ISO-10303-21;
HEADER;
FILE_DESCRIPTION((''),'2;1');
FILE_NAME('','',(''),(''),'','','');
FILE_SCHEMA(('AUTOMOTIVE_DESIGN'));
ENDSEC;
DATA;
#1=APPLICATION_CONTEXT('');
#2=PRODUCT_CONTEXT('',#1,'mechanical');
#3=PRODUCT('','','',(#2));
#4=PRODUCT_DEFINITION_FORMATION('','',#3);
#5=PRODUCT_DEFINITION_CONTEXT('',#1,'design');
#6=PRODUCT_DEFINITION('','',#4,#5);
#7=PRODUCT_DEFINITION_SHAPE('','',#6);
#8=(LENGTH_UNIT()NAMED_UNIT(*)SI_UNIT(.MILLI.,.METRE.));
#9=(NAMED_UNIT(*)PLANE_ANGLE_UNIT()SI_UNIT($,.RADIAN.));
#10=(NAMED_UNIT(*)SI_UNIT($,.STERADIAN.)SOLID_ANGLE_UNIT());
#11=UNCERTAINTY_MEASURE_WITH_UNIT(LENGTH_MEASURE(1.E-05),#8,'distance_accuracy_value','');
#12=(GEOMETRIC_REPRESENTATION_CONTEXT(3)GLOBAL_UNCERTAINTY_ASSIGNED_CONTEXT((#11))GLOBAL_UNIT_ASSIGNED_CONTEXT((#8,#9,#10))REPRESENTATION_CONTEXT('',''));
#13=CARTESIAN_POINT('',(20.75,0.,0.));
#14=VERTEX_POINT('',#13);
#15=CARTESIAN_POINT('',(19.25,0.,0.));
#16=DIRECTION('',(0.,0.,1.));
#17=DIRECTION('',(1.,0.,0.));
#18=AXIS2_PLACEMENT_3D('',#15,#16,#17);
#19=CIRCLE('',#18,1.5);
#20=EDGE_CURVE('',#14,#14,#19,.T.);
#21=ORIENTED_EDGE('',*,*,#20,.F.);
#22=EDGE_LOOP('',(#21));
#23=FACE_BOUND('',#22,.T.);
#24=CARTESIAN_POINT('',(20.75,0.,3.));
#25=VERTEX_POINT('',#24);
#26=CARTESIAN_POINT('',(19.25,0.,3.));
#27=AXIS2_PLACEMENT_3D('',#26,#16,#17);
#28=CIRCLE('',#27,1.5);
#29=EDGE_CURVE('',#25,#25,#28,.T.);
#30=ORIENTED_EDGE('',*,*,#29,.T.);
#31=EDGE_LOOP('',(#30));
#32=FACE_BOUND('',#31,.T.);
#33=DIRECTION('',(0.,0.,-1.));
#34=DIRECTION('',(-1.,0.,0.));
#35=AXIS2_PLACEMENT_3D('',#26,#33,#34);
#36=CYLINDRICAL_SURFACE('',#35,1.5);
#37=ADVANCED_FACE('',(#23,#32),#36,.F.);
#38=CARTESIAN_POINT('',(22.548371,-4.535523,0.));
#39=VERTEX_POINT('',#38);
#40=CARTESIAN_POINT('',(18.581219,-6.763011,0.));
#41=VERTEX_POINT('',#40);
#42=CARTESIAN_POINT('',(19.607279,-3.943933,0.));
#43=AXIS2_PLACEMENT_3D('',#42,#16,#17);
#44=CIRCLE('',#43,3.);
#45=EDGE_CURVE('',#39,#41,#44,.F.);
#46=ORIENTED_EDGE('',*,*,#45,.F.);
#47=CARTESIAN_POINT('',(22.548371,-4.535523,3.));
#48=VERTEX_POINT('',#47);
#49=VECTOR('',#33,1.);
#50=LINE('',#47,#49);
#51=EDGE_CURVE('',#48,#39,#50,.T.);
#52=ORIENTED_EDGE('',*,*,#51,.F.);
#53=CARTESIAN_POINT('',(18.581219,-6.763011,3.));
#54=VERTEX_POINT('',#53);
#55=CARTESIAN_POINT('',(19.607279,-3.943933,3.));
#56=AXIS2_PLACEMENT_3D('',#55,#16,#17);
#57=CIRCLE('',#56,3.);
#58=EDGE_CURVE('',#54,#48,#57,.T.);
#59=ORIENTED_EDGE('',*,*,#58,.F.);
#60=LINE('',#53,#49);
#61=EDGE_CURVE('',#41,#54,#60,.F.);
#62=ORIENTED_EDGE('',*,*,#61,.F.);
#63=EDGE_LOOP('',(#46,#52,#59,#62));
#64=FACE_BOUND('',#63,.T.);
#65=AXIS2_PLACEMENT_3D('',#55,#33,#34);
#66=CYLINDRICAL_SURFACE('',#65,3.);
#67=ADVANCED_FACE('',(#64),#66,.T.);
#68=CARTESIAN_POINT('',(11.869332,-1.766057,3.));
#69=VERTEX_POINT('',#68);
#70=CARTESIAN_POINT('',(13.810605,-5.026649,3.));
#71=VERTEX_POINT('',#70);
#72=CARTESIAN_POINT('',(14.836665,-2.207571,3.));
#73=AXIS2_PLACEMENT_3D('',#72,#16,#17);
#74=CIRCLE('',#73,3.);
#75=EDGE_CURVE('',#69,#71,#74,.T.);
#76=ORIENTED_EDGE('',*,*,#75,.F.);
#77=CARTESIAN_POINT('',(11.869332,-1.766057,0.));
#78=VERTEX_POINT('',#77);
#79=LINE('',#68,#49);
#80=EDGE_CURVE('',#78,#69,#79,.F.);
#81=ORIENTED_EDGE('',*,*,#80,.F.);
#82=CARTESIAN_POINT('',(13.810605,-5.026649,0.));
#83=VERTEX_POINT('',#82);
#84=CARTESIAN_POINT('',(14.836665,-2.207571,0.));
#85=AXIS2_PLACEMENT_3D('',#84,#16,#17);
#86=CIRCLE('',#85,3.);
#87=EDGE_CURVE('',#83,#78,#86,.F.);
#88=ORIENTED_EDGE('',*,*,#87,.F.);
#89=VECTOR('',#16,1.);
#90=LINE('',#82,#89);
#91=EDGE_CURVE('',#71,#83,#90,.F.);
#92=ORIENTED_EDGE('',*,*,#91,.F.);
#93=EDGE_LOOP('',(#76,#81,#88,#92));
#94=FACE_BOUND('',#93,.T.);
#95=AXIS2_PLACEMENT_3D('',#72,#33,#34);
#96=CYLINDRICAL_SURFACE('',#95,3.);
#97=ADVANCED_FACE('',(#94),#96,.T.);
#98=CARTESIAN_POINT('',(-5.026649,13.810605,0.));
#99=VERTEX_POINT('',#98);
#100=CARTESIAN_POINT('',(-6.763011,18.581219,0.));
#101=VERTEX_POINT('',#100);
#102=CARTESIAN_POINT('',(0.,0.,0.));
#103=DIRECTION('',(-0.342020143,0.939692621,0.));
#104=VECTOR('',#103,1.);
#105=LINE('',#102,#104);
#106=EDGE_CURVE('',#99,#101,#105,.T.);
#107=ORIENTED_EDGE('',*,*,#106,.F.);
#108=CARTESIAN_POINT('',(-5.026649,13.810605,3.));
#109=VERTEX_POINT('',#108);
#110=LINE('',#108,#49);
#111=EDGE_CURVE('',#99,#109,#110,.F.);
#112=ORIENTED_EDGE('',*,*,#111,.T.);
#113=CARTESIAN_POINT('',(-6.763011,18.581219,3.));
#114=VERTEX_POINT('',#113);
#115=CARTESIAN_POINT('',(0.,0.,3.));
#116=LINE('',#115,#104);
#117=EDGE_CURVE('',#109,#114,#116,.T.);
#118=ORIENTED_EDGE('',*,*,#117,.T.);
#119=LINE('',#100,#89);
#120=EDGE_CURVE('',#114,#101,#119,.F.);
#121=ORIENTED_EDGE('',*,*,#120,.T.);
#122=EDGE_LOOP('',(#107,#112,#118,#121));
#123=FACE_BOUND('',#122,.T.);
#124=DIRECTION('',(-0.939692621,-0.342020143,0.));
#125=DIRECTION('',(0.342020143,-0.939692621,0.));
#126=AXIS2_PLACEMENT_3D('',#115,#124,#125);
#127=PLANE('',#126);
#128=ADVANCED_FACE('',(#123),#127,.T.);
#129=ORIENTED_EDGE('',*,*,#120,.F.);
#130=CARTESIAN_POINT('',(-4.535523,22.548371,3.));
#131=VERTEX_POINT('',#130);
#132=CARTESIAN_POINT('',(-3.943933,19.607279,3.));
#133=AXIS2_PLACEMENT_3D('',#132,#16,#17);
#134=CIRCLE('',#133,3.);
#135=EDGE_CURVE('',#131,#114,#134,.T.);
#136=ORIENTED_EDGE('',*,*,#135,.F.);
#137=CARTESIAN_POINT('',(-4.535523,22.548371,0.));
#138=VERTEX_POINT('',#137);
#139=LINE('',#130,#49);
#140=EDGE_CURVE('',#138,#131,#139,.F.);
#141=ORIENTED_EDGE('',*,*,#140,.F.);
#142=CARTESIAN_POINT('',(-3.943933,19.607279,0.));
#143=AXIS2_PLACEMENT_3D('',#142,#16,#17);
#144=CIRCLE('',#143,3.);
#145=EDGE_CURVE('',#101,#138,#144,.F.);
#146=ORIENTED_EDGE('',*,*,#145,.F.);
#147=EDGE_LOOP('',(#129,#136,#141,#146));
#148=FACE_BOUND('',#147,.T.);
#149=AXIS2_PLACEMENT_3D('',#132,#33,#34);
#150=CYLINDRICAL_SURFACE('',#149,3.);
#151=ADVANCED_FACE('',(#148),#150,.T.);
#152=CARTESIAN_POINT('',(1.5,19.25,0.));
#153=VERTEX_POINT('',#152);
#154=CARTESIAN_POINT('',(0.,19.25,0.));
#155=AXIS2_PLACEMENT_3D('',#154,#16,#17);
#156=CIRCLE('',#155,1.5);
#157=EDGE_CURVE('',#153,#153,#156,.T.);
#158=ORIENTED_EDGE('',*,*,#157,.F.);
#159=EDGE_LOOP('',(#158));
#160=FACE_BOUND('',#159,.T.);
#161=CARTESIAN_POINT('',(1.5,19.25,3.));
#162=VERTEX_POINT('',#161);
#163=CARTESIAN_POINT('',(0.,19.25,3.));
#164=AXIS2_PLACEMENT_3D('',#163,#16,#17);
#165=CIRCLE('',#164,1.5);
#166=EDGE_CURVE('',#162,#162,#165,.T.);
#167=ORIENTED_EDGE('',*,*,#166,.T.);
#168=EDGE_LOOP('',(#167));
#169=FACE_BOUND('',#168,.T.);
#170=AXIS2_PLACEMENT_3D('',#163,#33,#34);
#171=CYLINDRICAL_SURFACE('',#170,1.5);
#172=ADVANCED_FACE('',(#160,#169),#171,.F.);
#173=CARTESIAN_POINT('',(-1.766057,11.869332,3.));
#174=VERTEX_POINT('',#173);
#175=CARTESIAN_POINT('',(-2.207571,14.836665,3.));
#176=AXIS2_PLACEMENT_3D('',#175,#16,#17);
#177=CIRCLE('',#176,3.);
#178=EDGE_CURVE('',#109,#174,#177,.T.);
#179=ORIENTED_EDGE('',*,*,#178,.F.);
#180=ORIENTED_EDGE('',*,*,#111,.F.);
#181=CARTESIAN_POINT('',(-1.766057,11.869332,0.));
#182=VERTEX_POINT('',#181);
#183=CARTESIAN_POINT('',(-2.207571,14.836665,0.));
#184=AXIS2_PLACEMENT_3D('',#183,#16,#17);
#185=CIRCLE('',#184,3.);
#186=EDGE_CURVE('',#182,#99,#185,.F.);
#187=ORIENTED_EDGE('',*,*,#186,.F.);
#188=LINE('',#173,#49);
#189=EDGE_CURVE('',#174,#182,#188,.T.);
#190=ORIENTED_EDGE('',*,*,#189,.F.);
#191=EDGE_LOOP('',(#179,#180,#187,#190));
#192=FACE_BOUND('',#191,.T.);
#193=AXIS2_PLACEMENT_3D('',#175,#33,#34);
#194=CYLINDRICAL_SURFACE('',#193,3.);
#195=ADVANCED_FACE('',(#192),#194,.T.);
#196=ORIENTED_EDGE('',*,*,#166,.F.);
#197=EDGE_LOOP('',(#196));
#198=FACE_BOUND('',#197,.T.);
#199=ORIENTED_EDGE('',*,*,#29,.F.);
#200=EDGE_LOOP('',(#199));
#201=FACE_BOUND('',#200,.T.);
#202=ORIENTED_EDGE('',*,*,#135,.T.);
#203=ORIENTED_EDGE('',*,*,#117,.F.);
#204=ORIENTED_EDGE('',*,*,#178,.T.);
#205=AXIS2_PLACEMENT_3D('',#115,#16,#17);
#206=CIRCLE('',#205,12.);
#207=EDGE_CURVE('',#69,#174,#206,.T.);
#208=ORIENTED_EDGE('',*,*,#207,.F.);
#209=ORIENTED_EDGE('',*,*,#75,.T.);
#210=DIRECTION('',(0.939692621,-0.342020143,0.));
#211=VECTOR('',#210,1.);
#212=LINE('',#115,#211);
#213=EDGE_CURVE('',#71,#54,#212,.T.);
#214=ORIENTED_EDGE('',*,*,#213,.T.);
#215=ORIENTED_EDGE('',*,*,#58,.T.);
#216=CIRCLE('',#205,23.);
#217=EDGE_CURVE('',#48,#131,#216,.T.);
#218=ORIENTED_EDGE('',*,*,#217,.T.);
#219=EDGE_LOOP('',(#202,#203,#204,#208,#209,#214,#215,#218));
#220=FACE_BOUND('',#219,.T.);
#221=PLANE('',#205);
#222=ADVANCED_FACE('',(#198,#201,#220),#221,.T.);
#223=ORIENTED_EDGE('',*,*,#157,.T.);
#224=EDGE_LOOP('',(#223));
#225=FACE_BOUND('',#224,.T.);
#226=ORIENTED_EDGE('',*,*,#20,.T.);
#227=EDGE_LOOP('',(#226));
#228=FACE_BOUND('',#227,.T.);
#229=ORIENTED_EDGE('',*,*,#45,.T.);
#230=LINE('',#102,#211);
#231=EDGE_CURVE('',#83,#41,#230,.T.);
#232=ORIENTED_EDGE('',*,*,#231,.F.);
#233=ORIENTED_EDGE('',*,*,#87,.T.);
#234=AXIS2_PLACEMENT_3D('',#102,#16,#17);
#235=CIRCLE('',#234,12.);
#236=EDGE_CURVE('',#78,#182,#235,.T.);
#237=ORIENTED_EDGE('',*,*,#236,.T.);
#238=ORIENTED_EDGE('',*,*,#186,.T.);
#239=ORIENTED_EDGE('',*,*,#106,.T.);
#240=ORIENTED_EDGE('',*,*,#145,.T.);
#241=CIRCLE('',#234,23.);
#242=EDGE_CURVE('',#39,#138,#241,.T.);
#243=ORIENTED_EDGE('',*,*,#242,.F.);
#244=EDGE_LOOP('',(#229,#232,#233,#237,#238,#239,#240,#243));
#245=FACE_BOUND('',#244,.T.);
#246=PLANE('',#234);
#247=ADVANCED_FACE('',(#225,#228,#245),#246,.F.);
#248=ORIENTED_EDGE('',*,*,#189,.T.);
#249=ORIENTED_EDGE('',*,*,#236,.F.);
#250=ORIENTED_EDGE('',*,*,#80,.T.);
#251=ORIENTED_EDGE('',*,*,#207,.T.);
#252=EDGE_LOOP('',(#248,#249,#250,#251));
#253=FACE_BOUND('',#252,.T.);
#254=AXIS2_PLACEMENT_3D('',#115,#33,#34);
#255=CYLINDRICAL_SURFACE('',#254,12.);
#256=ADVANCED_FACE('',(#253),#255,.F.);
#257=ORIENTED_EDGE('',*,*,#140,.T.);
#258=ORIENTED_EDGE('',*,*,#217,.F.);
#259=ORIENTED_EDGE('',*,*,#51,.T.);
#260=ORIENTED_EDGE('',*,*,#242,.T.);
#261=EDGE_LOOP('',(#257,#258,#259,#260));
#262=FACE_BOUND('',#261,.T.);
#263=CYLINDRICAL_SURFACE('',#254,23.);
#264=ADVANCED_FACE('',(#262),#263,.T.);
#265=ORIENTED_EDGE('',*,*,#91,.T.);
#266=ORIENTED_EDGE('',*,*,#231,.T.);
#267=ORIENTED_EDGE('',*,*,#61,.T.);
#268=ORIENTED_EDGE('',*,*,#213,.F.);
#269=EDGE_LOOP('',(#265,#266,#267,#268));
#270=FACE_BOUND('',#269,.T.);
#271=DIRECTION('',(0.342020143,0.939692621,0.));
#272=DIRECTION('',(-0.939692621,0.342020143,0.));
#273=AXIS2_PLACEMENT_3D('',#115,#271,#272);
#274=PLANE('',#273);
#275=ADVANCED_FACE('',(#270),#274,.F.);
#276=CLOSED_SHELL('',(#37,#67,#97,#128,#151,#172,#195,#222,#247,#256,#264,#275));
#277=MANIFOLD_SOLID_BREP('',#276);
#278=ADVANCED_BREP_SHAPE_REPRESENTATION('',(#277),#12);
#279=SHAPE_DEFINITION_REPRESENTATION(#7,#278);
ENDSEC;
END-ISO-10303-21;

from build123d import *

# Parameters (mm, degrees)
SKETCH_1_R      = 1.5
EXTRUDE_1_DEPTH = 3
FILLET_1_R      = 3


with BuildPart() as part:
    # 草图1 → 凸台-拉伸1 (new body)
    with BuildSketch(Plane.XY):
        with BuildLine():
            Line((-7.866463296, 21.612930278), (-4.10424172, 11.276311449))
            ThreePointArc((-4.10424172, 11.276311449), (6.882917236, 9.829824531), (12, 0))
            ThreePointArc((12, 0), (11.817693036, -2.083778132), (11.276311449, -4.10424172))
            Line((11.276311449, -4.10424172), (21.612930278, -7.866463296))
            ThreePointArc((21.612930278, -7.866463296), (22.650578319, -3.993908086), (23, 0))
            ThreePointArc((23, 0), (13.192258036, 18.840497019), (-7.866463296, 21.612930278))
        make_face()
        with Locations((19.25, 0)):
            Circle(SKETCH_1_R, mode=Mode.SUBTRACT)
        with Locations((0, 19.25)):
            Circle(SKETCH_1_R, mode=Mode.SUBTRACT)
    extrude(amount=EXTRUDE_1_DEPTH)

    # 圆角1
    fillet_1_edges = [part.edges().sort_by_distance(p)[0] for p in [
        (11.276311449, -4.10424172, 1.5),
        (-4.10424172, 11.276311449, 1.5),
        (-7.866463296, 21.612930278, 1.5),
        (21.612930278, -7.866463296, 1.5),
    ]]
    fillet(fillet_1_edges, radius=FILLET_1_R)


solid = part.part
